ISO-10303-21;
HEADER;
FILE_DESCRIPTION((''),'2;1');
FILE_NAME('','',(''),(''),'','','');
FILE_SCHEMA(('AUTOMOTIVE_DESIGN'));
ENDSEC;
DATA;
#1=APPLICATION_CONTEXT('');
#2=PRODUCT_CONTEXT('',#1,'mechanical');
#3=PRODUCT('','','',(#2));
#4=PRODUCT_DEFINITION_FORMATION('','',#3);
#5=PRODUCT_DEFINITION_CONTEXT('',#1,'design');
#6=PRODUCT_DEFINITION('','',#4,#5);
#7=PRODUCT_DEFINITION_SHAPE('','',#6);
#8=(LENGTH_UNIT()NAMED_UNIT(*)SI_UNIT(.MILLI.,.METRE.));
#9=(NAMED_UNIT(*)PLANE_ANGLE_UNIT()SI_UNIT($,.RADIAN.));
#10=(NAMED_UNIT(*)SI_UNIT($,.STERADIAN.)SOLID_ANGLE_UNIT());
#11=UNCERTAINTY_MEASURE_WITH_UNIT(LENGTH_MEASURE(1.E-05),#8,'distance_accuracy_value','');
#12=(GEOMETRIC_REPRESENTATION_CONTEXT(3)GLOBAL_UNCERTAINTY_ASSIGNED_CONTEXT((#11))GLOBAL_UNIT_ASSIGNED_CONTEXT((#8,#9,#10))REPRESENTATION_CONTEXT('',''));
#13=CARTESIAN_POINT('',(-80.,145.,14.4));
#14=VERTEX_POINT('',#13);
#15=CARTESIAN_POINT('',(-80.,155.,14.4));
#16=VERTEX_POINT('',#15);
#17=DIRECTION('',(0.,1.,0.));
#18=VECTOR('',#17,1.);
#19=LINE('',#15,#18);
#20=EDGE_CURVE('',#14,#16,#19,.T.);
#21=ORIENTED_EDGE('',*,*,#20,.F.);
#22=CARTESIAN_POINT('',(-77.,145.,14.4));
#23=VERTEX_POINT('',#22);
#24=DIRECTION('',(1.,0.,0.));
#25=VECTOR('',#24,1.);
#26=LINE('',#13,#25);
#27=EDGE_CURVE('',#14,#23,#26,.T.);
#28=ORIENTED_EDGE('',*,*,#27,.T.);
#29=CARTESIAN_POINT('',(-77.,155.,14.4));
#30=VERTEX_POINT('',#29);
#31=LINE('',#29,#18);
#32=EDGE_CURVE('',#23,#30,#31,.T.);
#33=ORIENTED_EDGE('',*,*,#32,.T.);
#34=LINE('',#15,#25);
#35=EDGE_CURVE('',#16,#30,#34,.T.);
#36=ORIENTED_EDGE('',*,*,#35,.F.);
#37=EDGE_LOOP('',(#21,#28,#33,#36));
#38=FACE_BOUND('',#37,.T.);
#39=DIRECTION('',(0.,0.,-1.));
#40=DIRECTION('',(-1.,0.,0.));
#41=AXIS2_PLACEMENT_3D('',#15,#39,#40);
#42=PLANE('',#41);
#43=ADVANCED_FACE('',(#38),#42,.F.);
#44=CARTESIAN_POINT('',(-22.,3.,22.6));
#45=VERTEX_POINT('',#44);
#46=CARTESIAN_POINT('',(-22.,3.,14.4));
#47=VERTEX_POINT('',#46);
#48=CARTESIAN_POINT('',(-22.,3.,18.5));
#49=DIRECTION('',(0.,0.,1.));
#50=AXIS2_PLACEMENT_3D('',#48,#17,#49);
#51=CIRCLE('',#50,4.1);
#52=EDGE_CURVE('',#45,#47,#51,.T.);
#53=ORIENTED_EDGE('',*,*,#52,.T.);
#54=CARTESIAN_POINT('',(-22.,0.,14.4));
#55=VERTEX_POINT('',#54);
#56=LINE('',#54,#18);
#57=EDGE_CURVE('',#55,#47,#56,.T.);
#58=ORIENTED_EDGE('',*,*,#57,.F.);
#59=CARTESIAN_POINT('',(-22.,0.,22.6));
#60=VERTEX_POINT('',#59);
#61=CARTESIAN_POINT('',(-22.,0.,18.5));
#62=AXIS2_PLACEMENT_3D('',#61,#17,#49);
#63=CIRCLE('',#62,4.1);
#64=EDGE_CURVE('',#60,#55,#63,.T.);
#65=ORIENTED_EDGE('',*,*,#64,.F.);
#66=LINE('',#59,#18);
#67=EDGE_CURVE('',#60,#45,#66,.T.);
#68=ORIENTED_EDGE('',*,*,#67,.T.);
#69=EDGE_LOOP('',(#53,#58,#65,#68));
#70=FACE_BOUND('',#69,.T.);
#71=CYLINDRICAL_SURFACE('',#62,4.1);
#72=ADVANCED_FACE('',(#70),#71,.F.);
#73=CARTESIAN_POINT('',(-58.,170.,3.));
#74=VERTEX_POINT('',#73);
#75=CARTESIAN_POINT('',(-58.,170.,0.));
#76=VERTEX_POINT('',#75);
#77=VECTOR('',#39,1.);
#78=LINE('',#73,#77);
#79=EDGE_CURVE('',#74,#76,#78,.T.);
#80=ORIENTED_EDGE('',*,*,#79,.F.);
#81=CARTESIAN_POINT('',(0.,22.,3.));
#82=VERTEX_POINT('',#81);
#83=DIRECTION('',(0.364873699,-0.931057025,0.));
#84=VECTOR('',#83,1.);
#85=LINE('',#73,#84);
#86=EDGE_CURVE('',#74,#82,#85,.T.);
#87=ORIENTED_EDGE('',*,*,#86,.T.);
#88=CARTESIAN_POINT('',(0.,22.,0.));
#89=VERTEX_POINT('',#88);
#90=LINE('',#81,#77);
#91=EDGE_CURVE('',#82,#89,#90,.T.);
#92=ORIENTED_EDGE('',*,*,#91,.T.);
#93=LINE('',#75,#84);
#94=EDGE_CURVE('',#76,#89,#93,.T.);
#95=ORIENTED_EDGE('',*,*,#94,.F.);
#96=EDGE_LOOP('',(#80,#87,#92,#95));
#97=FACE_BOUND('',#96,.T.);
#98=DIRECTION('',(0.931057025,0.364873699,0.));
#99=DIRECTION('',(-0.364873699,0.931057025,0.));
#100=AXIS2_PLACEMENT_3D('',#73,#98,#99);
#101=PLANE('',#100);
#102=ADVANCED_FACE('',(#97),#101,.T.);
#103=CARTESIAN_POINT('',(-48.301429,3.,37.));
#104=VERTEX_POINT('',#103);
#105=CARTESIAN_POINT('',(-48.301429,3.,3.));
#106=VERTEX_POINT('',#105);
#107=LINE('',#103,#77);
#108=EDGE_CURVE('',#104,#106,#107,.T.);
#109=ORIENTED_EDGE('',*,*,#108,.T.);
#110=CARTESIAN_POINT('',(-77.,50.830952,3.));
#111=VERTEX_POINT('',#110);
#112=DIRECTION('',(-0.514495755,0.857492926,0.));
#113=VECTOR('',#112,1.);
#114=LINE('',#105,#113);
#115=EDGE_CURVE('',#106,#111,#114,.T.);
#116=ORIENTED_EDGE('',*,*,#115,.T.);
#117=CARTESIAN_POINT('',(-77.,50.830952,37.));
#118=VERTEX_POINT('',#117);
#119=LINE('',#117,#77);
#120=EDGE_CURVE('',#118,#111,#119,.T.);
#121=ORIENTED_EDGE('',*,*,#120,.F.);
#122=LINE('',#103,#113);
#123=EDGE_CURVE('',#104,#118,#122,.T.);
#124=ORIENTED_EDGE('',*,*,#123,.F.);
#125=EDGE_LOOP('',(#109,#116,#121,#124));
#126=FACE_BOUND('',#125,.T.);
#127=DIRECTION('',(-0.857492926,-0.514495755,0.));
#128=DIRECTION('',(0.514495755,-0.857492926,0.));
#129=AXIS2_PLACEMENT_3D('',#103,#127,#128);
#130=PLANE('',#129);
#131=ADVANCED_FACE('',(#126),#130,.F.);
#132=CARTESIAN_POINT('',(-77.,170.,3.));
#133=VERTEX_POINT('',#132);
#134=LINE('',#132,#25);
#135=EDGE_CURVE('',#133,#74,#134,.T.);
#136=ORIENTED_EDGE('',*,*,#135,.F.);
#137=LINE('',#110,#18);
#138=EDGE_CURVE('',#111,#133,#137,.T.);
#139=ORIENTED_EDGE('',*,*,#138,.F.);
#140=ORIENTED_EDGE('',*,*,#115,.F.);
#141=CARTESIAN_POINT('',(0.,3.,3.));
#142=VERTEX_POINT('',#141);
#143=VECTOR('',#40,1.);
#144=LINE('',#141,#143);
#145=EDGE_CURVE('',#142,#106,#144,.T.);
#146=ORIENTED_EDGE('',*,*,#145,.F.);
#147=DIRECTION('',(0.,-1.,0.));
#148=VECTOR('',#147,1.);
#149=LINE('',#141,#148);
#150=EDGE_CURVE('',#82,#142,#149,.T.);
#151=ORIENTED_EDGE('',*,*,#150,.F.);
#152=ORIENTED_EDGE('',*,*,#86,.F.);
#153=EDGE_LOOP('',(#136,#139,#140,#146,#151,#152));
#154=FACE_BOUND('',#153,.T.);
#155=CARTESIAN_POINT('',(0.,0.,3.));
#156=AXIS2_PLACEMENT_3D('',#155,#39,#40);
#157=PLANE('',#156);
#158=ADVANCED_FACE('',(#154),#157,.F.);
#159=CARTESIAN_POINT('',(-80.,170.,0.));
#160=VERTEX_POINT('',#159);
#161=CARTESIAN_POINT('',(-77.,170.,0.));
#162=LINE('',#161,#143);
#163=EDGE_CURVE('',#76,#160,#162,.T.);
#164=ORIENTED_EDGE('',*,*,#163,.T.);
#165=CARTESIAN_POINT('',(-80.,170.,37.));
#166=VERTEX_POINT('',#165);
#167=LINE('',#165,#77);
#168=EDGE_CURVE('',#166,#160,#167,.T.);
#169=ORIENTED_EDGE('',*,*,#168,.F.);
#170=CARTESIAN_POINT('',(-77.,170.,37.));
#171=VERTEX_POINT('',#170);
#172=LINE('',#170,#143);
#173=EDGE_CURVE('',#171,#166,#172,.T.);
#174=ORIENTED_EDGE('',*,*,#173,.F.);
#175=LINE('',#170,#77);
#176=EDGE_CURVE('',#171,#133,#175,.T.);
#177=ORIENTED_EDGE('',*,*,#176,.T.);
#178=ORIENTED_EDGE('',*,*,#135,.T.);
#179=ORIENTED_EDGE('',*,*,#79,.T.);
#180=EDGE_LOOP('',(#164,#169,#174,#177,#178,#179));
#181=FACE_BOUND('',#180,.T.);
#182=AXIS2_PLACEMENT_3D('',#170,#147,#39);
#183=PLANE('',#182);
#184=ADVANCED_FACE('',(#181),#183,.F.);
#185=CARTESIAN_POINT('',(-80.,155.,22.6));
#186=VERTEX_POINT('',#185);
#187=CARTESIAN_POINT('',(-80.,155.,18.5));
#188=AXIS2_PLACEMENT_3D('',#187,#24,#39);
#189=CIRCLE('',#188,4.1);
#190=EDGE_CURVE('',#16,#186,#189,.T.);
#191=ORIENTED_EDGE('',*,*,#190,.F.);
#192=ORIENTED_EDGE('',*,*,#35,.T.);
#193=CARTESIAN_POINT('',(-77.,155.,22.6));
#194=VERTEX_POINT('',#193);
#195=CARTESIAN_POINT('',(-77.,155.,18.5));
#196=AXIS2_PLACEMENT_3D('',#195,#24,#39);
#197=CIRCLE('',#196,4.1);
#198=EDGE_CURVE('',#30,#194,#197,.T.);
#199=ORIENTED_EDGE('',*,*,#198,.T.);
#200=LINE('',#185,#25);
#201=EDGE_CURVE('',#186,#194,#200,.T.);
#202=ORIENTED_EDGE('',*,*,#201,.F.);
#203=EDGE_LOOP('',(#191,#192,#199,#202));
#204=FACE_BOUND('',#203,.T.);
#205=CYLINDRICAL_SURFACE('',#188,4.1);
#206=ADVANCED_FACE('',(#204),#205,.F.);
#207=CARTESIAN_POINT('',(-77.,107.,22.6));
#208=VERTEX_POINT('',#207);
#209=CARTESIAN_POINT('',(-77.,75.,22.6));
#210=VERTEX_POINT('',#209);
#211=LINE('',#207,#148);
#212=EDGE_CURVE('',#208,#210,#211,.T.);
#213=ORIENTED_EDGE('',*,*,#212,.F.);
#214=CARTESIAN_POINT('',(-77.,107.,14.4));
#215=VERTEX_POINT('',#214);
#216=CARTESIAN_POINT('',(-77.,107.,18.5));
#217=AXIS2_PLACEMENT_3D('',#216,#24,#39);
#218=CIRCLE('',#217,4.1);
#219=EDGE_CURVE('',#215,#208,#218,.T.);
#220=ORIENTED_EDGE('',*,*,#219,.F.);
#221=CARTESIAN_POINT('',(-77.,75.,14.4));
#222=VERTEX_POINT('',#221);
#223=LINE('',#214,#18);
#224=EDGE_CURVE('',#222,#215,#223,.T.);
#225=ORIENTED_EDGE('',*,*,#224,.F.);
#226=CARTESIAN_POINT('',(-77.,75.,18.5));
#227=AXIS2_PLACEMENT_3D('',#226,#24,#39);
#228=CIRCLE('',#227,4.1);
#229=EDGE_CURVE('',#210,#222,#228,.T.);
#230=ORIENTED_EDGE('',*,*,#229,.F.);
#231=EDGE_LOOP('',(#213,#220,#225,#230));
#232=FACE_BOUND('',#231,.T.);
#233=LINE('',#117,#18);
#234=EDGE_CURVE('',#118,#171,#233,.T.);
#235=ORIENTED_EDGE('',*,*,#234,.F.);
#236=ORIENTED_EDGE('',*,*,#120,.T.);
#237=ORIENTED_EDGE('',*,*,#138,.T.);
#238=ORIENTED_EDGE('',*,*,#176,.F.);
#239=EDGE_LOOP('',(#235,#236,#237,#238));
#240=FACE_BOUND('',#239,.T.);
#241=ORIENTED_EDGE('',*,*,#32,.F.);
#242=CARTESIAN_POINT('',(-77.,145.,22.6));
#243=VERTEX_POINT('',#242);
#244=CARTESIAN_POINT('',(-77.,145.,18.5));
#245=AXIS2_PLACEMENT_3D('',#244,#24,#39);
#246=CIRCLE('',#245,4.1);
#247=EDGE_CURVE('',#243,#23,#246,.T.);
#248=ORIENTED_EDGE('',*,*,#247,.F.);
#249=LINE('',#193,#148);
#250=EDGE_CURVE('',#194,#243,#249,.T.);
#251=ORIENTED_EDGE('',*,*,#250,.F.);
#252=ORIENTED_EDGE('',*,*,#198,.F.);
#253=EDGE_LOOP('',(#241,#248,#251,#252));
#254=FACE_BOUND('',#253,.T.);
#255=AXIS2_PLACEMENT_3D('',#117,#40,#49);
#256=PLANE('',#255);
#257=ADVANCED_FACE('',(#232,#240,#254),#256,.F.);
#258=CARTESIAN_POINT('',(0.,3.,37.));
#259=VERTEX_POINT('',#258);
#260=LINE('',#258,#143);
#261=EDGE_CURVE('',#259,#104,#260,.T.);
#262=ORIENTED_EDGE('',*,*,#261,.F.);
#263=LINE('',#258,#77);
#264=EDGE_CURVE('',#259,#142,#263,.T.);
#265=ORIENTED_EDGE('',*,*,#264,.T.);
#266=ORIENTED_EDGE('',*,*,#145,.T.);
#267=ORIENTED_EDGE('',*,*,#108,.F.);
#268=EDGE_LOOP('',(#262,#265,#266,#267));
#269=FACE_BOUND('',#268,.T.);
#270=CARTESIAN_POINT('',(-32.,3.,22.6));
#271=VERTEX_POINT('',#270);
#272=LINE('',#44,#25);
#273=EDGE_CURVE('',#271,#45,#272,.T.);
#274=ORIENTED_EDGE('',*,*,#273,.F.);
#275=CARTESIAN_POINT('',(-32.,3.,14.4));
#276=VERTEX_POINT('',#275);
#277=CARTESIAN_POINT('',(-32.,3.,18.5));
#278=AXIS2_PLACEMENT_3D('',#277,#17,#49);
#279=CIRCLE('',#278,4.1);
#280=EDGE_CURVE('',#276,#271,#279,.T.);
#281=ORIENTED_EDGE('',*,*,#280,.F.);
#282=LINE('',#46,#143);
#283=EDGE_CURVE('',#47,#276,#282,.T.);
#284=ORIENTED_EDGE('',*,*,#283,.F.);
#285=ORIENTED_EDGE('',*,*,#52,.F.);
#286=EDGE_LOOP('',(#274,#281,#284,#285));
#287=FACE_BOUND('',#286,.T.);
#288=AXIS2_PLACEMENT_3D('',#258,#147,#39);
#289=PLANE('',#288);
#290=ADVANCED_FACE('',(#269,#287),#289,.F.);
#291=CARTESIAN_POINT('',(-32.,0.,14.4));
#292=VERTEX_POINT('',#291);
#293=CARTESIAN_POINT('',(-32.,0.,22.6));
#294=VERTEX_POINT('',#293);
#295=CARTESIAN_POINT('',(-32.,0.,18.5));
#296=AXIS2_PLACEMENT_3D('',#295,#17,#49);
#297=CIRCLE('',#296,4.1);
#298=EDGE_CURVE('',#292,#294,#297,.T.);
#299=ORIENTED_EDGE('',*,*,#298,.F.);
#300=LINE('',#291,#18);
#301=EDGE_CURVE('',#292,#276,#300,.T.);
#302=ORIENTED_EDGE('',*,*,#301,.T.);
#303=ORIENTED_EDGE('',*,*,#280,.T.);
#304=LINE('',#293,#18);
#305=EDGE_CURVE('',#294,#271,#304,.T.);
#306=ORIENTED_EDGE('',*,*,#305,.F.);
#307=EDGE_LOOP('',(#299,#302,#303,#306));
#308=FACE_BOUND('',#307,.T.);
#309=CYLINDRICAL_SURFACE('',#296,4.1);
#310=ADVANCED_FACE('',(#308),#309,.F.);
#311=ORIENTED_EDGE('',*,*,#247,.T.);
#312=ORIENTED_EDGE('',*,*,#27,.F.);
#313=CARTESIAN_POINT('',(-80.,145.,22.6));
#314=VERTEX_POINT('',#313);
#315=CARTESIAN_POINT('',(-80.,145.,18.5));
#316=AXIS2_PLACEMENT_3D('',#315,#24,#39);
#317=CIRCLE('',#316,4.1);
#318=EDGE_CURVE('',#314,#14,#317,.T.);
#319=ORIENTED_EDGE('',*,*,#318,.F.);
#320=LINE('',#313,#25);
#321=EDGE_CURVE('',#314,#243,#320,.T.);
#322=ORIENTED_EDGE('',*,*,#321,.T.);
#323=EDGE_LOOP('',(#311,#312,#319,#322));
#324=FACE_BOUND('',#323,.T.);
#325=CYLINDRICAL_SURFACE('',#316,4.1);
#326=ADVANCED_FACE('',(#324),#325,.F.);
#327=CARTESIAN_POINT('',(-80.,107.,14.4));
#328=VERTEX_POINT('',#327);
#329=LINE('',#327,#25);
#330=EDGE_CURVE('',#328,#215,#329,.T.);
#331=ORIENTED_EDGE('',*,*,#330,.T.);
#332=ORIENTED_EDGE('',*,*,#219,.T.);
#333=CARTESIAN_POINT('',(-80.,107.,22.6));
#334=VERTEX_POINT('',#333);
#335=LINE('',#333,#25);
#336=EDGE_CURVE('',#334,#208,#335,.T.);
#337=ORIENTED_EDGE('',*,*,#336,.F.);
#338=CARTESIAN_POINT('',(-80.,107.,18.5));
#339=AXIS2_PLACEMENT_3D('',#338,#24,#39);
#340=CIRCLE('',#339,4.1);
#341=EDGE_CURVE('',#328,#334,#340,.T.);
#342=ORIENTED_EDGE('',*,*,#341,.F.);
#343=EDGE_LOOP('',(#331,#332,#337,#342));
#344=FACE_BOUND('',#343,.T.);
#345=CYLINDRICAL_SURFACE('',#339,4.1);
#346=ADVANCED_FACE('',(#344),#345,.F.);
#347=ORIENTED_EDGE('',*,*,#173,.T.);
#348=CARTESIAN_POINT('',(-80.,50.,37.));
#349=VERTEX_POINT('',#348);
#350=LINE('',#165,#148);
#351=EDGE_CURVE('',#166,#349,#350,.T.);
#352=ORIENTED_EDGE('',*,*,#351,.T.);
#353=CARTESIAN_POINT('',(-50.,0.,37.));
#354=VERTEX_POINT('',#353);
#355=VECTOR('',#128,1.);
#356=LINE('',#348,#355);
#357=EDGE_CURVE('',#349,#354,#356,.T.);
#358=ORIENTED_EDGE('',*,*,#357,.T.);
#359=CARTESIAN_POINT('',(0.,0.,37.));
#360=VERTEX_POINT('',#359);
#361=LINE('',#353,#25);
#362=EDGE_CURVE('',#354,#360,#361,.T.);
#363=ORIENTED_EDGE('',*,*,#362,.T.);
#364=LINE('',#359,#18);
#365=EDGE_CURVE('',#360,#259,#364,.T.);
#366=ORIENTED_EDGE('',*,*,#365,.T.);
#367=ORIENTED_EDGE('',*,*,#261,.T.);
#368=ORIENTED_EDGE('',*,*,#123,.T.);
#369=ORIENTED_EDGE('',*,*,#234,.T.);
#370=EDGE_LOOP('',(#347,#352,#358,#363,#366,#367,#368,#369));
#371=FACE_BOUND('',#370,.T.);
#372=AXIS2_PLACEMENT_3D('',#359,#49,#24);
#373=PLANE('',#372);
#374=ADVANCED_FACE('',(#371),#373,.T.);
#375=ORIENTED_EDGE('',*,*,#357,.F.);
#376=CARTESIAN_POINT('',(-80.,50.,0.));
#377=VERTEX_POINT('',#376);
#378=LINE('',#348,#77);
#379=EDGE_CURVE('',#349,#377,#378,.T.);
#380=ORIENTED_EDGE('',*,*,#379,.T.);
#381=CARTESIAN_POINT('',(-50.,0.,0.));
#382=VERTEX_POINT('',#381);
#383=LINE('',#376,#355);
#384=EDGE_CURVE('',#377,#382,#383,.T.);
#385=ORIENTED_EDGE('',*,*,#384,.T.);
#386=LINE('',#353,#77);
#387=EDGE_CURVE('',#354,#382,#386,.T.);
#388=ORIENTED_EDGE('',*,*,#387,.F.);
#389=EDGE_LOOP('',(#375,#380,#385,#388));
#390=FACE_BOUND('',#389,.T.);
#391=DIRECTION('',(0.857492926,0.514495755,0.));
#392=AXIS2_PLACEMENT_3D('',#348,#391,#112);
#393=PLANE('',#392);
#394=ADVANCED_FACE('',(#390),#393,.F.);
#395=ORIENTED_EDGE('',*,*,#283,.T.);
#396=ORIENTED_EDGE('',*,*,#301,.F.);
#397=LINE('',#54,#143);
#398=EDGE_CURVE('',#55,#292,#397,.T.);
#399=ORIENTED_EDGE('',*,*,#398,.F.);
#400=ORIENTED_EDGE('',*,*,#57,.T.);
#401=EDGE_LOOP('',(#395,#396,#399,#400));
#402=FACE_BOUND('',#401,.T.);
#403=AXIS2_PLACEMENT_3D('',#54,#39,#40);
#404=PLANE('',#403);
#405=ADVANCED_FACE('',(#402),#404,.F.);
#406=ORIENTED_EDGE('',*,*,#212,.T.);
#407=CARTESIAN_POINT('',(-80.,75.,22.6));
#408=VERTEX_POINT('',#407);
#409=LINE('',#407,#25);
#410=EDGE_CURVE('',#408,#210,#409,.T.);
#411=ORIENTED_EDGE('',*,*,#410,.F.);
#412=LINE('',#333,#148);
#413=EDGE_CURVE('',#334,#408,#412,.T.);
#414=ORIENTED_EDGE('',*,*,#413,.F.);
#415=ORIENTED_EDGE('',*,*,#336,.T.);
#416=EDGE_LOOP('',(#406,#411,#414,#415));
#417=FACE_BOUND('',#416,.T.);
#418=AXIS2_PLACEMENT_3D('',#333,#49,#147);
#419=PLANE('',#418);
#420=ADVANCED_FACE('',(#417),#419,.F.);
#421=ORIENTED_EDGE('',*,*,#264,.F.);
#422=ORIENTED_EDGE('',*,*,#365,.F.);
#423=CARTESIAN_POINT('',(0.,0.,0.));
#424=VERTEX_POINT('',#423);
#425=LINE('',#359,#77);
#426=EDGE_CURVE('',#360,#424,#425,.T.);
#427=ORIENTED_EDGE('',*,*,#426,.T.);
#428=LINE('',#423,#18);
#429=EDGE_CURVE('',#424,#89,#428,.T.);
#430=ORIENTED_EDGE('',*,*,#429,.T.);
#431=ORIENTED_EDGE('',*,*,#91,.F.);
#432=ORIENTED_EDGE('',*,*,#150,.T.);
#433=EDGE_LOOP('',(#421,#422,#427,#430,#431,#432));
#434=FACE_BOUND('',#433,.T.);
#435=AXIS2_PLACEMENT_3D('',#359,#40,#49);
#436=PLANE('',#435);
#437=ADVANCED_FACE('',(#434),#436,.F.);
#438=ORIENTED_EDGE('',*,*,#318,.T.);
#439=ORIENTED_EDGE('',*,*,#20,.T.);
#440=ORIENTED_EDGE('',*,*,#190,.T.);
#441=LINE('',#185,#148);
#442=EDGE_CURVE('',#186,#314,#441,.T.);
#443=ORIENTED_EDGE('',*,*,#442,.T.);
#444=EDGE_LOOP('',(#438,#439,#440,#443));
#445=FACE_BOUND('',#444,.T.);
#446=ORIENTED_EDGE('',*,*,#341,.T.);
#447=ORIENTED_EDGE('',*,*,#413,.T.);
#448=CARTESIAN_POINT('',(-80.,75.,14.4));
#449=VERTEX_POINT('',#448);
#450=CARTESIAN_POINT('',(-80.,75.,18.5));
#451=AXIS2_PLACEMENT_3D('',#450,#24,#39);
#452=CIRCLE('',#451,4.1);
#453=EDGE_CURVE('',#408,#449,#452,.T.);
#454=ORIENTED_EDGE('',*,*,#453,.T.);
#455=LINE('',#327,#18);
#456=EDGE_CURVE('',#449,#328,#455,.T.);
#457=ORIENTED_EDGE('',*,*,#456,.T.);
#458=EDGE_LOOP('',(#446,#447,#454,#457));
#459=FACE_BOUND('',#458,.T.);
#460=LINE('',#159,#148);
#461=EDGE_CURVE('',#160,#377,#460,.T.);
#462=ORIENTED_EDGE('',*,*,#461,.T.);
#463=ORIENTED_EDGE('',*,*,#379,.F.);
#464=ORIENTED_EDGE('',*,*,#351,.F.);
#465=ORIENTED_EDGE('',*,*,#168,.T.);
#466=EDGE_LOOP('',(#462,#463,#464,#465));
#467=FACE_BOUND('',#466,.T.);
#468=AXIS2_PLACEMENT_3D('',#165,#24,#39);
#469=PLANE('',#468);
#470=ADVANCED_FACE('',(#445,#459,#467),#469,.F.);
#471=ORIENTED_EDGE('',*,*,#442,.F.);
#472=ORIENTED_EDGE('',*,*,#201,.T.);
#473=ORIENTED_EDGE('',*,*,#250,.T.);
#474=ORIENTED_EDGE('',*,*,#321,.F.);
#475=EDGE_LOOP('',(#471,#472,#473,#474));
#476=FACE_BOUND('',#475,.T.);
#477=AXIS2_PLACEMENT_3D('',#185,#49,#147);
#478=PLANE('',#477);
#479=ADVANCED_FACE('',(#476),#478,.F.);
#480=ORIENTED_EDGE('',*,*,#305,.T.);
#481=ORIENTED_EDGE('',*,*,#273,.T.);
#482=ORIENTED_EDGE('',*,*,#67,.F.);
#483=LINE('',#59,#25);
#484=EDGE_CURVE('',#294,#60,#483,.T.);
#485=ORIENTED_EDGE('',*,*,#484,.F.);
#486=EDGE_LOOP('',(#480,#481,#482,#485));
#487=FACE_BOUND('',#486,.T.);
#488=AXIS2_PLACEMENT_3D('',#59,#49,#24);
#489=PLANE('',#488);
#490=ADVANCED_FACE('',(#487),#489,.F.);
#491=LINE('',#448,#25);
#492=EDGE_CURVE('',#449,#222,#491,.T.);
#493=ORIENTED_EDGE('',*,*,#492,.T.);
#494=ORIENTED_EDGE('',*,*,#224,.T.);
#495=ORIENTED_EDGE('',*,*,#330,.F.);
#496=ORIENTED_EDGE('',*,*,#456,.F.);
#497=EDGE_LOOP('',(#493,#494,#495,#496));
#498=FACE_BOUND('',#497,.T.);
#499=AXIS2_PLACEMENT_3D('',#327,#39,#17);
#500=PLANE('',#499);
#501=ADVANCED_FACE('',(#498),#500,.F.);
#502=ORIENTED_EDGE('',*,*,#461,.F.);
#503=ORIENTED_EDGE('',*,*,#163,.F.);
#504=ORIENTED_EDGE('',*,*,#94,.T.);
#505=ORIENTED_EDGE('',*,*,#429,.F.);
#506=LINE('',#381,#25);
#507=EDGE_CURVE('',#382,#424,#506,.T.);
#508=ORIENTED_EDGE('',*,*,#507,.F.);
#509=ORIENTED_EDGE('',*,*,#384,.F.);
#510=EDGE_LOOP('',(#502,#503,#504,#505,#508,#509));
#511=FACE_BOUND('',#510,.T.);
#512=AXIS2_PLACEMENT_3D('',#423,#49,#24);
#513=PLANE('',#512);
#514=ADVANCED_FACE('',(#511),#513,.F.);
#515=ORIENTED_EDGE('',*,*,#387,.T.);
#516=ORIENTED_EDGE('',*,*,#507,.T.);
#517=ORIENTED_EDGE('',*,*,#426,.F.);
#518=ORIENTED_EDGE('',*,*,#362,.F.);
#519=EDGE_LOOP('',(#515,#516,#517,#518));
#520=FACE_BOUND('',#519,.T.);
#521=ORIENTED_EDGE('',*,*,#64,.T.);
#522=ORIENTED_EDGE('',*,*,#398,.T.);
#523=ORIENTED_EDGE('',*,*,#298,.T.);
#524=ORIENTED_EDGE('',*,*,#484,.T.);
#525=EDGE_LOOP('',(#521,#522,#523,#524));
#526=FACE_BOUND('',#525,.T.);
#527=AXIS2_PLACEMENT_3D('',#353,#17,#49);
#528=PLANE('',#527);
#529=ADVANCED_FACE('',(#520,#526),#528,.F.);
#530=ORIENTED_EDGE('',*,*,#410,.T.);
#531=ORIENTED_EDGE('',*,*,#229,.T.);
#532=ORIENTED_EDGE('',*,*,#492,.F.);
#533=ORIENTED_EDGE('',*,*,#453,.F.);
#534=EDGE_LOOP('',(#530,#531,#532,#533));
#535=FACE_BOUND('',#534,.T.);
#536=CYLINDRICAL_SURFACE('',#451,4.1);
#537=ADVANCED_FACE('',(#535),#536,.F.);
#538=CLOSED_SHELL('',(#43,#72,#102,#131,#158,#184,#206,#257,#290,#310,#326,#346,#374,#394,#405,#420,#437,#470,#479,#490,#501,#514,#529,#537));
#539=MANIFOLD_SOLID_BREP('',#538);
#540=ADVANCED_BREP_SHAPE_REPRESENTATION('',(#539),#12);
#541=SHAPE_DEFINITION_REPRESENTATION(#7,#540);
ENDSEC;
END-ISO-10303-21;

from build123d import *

# Parameters (mm, degrees)
EXTRUDE_1_DEPTH     = 37
EXTRUDE_2_DEPTH     = 3
CUT_EXTRUDE_1_DEPTH = 191.257719948
CUT_EXTRUDE_2_DEPTH = 189.833259782


with BuildPart() as part:
    # 草图1 → 凸台-拉伸1 (new body)
    with BuildSketch(Plane.XY):
        Polygon((0, 3), (-48.301428863, 3), (-77, 50.830951895), (-77, 170), (-80, 170), (-80, 50), (-50, 0), (0, 0), align=None)
    extrude(amount=EXTRUDE_1_DEPTH)

    # 草图3 → 凸台-拉伸2 (add)
    with BuildSketch(Plane(origin=(0, 0, 0), x_dir=(-1, 0, 0), z_dir=(0, 0, -1))):
        Polygon((77, 170), (58, 170), (0, 22), (0, 3), (48.301428863, 3), (77, 50.830951895), align=None)
    extrude(amount=-EXTRUDE_2_DEPTH)

    # 草图4 → 切除-拉伸1 (cut, through all)
    with BuildSketch(Plane(origin=(-77, 0, 0), x_dir=(0, 0, -1), z_dir=(1, 0, 0))):
        with BuildLine():
            Line((-14.4, 155), (-14.4, 145))
            ThreePointArc((-14.4, 145), (-18.5, 140.9), (-22.6, 145))
            Line((-22.6, 145), (-22.6, 155))
            ThreePointArc((-22.6, 155), (-18.5, 159.1), (-14.4, 155))
        make_face()
        with BuildLine():
            Line((-14.4, 107), (-14.4, 75))
            ThreePointArc((-14.4, 75), (-18.5, 70.9), (-22.6, 75))
            Line((-22.6, 75), (-22.6, 107))
            ThreePointArc((-22.6, 107), (-18.5, 111.1), (-14.4, 107))
        make_face()
    extrude(amount=-CUT_EXTRUDE_1_DEPTH, mode=Mode.SUBTRACT)

    # 草图5 → 切除-拉伸2 (cut, through all)
    with BuildSketch(Plane(origin=(0, 3, 0), x_dir=(1, 0, 0), z_dir=(0, 1, 0))):
        with BuildLine():
            Line((-22, -22.6), (-32, -22.6))
            ThreePointArc((-32, -22.6), (-36.1, -18.5), (-32, -14.4))
            Line((-32, -14.4), (-22, -14.4))
            ThreePointArc((-22, -14.4), (-17.9, -18.5), (-22, -22.6))
        make_face()
    extrude(amount=-CUT_EXTRUDE_2_DEPTH, mode=Mode.SUBTRACT)


solid = part.part
